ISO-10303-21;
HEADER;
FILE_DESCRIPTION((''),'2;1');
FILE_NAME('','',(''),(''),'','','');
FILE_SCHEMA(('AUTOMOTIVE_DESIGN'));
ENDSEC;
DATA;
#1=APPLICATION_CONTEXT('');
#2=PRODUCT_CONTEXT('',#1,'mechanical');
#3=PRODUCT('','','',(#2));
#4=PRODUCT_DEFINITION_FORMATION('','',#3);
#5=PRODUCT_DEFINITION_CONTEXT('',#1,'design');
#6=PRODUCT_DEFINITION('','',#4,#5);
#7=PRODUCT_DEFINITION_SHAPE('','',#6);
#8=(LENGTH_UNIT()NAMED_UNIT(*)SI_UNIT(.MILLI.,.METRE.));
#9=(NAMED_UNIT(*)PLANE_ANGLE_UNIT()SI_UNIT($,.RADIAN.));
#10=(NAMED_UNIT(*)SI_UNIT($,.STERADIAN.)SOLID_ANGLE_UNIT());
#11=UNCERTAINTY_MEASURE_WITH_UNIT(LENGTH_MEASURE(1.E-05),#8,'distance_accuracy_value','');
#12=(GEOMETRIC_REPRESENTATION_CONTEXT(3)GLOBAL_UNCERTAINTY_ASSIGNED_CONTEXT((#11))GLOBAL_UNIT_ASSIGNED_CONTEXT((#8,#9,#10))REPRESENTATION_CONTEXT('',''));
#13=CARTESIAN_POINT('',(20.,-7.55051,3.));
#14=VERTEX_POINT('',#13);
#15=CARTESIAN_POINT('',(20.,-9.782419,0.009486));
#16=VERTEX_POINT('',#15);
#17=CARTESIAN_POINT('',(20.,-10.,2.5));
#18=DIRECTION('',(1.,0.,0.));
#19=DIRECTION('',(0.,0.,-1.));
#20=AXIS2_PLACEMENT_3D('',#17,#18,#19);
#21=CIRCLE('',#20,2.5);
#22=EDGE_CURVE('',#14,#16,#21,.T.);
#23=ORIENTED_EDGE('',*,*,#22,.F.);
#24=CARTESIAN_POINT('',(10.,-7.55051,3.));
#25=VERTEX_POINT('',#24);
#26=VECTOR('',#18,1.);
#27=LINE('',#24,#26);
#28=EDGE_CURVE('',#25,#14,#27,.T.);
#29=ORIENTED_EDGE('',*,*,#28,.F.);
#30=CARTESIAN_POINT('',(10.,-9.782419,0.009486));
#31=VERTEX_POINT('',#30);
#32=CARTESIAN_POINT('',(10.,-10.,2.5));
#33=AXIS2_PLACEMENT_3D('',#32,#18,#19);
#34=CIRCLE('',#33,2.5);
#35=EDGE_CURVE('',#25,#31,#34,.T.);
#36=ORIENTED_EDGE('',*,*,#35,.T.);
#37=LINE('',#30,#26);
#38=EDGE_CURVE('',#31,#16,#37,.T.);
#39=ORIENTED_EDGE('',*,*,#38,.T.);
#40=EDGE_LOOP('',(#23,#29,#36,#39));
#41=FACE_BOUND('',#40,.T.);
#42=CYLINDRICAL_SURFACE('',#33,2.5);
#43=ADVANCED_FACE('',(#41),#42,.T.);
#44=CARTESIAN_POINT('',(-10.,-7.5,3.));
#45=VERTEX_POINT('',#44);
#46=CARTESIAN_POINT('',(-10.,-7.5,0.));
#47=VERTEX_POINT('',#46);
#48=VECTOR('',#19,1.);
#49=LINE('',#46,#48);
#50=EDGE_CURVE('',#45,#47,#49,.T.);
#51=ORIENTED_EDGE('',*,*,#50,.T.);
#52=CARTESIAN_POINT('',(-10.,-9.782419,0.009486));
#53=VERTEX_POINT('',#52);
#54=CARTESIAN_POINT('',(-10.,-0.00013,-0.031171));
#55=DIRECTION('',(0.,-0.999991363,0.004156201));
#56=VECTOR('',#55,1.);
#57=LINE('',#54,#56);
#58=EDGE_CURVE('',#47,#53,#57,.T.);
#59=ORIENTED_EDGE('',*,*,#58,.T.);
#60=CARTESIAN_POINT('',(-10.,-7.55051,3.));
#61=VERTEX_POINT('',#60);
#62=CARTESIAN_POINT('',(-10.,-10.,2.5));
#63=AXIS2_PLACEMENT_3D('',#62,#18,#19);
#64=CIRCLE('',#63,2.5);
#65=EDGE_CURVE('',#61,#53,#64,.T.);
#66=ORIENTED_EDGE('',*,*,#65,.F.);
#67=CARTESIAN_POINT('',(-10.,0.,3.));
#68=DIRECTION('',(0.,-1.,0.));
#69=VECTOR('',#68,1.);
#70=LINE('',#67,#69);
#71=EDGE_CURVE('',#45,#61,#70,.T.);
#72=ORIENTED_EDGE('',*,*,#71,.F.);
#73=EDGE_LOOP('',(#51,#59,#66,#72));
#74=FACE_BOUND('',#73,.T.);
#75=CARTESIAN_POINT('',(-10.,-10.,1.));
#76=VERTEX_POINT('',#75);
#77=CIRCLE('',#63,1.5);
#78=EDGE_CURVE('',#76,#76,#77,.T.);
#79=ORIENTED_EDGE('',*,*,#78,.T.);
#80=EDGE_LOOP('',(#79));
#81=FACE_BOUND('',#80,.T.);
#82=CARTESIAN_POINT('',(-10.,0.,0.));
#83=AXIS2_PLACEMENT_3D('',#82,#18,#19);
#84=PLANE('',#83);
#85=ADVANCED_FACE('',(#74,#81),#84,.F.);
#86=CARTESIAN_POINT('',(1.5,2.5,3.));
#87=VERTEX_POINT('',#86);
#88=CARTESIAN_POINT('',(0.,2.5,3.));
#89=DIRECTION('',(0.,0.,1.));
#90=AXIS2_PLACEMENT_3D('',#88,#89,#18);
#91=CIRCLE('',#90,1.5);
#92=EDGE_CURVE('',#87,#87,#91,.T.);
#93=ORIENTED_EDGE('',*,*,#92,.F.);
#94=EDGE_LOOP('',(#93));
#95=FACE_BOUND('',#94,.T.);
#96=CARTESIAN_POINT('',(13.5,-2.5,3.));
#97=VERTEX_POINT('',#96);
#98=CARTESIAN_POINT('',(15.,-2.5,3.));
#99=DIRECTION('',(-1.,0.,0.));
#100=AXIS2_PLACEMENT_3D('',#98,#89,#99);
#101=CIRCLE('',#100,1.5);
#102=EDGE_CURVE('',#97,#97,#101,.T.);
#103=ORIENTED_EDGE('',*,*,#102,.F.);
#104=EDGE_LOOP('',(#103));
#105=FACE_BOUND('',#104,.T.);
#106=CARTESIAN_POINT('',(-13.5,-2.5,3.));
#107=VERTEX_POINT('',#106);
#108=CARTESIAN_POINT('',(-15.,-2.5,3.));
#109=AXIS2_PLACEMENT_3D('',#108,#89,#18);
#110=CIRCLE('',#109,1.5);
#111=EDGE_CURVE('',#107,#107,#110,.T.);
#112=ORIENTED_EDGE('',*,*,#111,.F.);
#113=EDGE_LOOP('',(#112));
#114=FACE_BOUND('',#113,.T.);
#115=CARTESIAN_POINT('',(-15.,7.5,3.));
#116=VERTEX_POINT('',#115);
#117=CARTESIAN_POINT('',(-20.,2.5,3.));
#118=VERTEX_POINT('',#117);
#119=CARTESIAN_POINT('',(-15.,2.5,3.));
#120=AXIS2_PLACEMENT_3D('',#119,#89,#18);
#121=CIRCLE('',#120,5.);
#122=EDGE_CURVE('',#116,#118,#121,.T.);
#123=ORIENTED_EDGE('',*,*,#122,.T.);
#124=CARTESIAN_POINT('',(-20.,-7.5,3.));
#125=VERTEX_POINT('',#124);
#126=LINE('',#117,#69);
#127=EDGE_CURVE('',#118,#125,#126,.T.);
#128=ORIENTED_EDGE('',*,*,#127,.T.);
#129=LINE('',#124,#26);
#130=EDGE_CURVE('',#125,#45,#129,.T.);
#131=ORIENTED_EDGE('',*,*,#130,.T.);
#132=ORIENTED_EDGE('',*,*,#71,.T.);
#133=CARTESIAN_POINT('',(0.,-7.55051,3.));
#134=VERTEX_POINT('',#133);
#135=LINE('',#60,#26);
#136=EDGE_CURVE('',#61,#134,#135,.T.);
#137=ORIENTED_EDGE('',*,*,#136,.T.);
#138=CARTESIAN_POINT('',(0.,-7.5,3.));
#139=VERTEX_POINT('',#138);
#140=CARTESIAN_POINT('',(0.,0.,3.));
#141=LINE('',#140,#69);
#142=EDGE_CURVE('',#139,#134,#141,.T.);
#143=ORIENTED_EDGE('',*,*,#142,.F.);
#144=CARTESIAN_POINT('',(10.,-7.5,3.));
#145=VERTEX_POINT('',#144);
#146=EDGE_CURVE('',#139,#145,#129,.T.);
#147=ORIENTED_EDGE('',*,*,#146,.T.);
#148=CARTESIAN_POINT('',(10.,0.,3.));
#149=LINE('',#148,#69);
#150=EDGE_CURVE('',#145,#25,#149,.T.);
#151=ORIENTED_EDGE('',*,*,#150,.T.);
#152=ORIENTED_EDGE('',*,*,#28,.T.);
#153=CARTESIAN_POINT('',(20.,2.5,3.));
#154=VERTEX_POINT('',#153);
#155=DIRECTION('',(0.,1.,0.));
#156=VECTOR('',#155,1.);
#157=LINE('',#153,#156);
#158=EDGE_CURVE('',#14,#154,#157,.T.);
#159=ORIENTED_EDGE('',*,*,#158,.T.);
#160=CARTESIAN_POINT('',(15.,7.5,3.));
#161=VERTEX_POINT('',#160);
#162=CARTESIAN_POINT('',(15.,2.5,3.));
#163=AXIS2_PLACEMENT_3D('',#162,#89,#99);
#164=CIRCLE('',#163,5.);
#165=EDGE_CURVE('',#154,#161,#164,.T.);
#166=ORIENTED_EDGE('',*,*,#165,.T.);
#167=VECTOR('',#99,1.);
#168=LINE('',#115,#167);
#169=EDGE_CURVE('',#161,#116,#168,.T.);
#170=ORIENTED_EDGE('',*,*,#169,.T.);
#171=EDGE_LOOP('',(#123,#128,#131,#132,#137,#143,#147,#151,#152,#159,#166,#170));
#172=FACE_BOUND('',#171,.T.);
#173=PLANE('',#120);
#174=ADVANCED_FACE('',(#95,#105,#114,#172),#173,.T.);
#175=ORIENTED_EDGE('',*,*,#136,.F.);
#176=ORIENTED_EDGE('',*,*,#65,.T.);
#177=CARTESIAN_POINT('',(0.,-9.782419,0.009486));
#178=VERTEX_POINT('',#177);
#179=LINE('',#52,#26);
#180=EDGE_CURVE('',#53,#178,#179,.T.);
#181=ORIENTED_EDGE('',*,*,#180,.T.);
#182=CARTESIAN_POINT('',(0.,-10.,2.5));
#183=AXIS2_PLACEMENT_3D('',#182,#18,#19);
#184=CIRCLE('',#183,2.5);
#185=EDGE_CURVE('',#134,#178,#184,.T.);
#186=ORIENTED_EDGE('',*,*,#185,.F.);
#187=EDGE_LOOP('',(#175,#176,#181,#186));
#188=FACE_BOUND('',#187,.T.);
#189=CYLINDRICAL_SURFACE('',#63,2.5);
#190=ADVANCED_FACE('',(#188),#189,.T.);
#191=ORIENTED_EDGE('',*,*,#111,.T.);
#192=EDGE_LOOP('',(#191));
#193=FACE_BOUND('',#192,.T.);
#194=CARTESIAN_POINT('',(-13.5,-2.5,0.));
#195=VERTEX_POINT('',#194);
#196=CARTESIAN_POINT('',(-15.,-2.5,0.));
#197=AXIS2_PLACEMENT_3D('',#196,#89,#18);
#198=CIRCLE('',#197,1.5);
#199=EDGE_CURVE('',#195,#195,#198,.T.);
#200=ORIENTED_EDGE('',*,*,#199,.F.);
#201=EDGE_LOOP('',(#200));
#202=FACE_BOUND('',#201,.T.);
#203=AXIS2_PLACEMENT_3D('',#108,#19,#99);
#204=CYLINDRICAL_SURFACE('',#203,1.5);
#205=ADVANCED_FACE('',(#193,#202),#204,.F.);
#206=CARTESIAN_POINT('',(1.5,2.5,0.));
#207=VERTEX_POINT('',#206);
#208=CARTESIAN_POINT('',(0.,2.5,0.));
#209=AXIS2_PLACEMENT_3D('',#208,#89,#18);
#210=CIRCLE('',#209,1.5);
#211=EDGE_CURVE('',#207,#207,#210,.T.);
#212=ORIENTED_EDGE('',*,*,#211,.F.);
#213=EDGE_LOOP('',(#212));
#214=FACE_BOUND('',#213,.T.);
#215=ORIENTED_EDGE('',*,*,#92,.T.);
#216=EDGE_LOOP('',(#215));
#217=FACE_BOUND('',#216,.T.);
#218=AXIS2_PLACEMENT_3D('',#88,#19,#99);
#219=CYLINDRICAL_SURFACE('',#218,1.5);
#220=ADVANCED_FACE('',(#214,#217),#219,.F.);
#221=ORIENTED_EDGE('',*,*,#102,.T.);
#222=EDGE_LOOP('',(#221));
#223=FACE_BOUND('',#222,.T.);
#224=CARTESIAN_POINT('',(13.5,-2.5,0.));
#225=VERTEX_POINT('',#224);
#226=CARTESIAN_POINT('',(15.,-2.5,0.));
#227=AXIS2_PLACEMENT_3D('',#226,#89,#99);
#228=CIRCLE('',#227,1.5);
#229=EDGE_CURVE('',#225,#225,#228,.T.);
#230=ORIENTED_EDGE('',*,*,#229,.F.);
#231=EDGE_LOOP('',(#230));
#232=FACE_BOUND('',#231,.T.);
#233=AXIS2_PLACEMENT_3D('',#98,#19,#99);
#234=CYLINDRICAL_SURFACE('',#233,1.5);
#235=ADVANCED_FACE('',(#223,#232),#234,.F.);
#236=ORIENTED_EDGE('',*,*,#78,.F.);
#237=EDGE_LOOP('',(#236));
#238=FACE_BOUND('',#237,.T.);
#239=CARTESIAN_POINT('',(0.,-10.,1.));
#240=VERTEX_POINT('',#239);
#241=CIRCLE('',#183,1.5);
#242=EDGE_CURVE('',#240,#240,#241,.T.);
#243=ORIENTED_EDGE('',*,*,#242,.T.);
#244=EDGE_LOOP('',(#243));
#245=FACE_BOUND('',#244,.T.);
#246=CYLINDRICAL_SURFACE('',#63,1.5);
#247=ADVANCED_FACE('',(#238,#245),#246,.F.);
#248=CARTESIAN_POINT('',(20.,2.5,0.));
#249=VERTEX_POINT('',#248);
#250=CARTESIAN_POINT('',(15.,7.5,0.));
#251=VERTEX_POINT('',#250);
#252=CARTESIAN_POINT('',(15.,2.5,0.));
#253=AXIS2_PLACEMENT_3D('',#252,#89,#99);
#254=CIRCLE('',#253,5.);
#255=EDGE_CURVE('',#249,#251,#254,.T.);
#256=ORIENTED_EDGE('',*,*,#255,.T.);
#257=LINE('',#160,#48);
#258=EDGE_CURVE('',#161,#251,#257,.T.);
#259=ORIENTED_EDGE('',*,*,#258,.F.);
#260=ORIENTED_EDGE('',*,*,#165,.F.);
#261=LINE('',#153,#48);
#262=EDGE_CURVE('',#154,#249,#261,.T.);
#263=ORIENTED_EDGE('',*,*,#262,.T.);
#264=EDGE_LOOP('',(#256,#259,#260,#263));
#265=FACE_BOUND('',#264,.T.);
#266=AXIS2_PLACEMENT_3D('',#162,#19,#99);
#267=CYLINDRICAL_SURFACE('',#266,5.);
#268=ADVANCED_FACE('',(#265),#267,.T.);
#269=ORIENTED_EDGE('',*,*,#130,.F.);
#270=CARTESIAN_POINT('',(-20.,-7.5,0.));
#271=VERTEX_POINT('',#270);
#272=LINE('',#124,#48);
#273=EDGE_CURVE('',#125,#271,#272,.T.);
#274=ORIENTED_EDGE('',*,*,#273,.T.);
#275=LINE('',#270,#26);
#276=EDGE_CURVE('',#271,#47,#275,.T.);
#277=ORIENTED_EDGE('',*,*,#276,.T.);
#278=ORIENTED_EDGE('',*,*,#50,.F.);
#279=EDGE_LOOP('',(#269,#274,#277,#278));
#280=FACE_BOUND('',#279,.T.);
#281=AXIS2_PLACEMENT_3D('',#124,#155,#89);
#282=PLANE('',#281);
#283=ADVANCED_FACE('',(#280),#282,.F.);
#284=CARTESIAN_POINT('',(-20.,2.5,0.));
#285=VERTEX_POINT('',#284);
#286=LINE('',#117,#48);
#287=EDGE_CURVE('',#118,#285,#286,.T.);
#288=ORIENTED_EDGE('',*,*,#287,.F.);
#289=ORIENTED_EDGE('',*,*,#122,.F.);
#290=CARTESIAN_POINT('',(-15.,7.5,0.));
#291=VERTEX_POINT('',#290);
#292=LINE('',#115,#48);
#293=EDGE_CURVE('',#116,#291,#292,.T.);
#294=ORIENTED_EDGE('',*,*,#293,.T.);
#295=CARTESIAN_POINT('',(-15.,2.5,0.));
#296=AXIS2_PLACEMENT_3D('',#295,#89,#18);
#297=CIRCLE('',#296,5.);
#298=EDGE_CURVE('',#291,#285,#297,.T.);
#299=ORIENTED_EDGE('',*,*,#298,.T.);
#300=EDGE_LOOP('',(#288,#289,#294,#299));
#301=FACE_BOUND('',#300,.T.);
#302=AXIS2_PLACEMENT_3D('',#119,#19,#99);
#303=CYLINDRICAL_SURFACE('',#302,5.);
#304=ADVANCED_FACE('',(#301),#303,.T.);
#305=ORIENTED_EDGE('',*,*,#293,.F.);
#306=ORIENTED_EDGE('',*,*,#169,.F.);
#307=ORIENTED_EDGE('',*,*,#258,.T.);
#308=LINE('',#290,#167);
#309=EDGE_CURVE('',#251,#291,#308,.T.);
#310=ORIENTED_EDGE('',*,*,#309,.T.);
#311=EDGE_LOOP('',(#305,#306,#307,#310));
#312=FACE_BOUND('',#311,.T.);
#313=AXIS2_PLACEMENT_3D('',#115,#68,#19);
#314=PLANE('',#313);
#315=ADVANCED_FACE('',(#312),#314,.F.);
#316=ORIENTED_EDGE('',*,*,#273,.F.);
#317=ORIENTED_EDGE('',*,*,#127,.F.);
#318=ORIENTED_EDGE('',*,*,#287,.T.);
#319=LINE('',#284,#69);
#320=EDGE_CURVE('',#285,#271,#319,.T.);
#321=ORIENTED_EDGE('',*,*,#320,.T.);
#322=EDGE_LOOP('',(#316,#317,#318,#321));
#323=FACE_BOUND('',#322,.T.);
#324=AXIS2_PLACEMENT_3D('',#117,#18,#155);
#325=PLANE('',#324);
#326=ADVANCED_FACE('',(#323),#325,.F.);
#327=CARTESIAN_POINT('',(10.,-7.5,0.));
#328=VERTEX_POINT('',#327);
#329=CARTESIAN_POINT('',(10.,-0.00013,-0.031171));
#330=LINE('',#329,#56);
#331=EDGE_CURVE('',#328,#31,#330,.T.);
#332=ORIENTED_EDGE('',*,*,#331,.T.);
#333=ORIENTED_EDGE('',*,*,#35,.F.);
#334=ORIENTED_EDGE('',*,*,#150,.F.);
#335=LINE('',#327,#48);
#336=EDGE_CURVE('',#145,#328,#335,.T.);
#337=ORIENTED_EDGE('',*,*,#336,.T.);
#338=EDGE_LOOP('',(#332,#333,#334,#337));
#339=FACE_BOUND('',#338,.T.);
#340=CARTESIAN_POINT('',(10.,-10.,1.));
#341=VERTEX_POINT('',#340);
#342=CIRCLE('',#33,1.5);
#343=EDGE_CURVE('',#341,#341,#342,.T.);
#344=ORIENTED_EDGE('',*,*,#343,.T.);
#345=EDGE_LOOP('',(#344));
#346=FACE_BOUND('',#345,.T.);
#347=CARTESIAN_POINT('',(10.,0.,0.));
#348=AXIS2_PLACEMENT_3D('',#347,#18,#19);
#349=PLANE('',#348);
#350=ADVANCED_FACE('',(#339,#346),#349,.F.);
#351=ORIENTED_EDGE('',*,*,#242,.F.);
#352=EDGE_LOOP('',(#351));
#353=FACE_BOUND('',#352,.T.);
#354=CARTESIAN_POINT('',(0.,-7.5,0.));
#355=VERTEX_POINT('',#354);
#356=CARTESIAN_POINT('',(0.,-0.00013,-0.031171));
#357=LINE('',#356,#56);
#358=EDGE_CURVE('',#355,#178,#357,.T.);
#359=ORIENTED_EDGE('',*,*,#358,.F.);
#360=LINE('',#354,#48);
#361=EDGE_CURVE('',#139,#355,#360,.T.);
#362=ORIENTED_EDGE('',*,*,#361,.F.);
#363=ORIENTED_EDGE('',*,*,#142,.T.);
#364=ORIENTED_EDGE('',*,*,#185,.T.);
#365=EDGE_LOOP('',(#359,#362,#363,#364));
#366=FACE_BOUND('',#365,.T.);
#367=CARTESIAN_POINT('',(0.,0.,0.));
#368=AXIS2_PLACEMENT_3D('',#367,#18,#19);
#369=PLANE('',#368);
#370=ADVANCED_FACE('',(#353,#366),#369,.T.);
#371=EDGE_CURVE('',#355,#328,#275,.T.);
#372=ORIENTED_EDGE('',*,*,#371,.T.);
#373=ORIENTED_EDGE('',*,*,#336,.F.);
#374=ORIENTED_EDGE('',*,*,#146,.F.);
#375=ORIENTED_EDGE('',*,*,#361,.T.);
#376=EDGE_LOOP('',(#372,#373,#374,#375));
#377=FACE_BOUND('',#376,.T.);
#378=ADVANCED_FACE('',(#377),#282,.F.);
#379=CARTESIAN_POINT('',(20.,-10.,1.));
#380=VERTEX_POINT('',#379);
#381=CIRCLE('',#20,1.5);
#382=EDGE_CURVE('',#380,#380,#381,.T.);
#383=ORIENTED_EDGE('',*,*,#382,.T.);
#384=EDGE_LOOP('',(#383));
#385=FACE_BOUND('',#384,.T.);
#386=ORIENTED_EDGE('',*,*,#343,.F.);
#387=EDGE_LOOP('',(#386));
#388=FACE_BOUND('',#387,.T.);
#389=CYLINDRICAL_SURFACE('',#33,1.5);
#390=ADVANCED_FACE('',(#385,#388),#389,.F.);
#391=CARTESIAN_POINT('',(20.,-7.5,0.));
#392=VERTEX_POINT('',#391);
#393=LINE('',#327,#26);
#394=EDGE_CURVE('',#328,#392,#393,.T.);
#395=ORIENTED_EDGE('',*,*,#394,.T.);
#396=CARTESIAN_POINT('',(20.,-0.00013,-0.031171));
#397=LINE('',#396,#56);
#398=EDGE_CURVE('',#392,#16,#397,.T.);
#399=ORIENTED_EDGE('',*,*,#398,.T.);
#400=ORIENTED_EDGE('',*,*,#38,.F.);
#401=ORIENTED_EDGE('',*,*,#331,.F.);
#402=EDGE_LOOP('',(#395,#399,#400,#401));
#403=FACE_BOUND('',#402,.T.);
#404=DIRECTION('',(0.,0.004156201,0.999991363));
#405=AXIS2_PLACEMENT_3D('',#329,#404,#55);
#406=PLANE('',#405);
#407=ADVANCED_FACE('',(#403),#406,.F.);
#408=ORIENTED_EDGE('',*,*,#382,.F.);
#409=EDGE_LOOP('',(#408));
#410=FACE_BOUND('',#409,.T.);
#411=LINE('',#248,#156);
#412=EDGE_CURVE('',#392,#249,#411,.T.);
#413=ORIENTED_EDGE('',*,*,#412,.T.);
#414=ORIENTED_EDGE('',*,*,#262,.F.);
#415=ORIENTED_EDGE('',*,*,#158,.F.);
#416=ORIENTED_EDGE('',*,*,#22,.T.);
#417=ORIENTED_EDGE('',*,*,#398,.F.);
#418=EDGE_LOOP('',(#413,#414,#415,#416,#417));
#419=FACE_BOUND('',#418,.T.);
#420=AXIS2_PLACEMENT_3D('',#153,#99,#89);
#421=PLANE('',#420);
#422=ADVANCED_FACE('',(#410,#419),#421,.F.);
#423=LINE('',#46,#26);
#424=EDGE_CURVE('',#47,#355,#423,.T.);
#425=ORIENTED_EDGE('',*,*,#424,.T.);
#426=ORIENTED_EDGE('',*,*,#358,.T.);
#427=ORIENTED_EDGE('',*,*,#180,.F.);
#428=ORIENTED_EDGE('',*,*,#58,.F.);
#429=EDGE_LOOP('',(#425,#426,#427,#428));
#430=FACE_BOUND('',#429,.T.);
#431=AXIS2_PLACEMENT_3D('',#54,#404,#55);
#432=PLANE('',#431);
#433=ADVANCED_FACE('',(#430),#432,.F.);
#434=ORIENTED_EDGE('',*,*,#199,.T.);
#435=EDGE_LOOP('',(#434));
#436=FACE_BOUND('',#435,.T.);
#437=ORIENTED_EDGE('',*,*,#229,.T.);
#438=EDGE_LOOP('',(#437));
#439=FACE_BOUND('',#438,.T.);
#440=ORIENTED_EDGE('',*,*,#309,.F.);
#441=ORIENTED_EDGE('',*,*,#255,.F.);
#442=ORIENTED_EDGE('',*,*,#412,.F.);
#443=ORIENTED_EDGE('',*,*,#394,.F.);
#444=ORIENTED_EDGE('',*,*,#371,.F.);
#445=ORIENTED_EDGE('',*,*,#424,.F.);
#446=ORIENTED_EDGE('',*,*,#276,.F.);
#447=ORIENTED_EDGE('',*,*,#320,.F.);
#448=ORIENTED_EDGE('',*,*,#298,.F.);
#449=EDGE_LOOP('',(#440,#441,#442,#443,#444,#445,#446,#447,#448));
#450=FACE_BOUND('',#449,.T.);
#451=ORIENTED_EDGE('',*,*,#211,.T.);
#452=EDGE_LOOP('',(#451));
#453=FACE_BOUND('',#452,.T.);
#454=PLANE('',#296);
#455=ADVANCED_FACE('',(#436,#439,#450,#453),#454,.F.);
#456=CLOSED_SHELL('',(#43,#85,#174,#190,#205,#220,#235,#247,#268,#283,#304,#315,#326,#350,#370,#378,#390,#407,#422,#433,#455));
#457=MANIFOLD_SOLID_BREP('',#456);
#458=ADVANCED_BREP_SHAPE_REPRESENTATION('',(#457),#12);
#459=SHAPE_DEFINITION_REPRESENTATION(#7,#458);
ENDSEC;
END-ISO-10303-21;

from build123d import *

# Parameters (mm, degrees)
ESQUISSE1_R                = 1.5
BOSS_EXTRU_1_DEPTH         = 3
ESQUISSE2_R                = 1.5
BOSS_EXTRU_2_DEPTH         = 10
R_P_TITION_LIN_AIRE1_COUNT = 2
R_P_TITION_LIN_AIRE1_PITCH = 20


with BuildPart() as part:
    # Esquisse1 → Boss.-Extru.1 (new body)
    with BuildSketch(Plane.XY):
        with BuildLine():
            Line((-15, 7.5), (15, 7.5))
            ThreePointArc((15, 7.5), (18.535533906, 6.035533906), (20, 2.5))
            Line((20, 2.5), (20, -7.5))
            Line((20, -7.5), (-20, -7.5))
            Line((-20, -7.5), (-20, 2.5))
            ThreePointArc((-20, 2.5), (-18.535533906, 6.035533906), (-15, 7.5))
        make_face()
        with Locations((-15, -2.5)):
            Circle(ESQUISSE1_R, mode=Mode.SUBTRACT)
        with Locations(Location((15, -2.5, 0), (0, 0, 180))):
            Circle(ESQUISSE1_R, mode=Mode.SUBTRACT)
        with Locations((0, 2.5)):
            Circle(ESQUISSE1_R, mode=Mode.SUBTRACT)
    extrude(amount=BOSS_EXTRU_1_DEPTH)

    # Esquisse2 → Boss.-Extru.2 (add)
    with BuildSketch(Plane(origin=(20, 0, 0), x_dir=(0, 0, -1), z_dir=(1, 0, 0))):
        with BuildLine():
            Line((-0.009486275, -9.782419246), (0, -7.5))
            Line((0, -7.5), (-2.5, -7.5))
            Line((-2.5, -7.5), (-3, -7.5))
            Line((-3, -7.5), (-3, -7.550510257))
            ThreePointArc((-3, -7.550510257), (-3.995289489, -12.003524231), (-0.009486275, -9.782419246))
        make_face()
        with Locations((-2.5, -10)):
            Circle(ESQUISSE2_R, mode=Mode.SUBTRACT)
    boss_extru_2 = extrude(amount=-BOSS_EXTRU_2_DEPTH)

    # Répétition linéaire1: Boss.-Extru.2 ×2
    with Locations(*[(-i * R_P_TITION_LIN_AIRE1_PITCH, 0, 0) for i in range(1, R_P_TITION_LIN_AIRE1_COUNT)]):
        add(boss_extru_2)


solid = part.part
